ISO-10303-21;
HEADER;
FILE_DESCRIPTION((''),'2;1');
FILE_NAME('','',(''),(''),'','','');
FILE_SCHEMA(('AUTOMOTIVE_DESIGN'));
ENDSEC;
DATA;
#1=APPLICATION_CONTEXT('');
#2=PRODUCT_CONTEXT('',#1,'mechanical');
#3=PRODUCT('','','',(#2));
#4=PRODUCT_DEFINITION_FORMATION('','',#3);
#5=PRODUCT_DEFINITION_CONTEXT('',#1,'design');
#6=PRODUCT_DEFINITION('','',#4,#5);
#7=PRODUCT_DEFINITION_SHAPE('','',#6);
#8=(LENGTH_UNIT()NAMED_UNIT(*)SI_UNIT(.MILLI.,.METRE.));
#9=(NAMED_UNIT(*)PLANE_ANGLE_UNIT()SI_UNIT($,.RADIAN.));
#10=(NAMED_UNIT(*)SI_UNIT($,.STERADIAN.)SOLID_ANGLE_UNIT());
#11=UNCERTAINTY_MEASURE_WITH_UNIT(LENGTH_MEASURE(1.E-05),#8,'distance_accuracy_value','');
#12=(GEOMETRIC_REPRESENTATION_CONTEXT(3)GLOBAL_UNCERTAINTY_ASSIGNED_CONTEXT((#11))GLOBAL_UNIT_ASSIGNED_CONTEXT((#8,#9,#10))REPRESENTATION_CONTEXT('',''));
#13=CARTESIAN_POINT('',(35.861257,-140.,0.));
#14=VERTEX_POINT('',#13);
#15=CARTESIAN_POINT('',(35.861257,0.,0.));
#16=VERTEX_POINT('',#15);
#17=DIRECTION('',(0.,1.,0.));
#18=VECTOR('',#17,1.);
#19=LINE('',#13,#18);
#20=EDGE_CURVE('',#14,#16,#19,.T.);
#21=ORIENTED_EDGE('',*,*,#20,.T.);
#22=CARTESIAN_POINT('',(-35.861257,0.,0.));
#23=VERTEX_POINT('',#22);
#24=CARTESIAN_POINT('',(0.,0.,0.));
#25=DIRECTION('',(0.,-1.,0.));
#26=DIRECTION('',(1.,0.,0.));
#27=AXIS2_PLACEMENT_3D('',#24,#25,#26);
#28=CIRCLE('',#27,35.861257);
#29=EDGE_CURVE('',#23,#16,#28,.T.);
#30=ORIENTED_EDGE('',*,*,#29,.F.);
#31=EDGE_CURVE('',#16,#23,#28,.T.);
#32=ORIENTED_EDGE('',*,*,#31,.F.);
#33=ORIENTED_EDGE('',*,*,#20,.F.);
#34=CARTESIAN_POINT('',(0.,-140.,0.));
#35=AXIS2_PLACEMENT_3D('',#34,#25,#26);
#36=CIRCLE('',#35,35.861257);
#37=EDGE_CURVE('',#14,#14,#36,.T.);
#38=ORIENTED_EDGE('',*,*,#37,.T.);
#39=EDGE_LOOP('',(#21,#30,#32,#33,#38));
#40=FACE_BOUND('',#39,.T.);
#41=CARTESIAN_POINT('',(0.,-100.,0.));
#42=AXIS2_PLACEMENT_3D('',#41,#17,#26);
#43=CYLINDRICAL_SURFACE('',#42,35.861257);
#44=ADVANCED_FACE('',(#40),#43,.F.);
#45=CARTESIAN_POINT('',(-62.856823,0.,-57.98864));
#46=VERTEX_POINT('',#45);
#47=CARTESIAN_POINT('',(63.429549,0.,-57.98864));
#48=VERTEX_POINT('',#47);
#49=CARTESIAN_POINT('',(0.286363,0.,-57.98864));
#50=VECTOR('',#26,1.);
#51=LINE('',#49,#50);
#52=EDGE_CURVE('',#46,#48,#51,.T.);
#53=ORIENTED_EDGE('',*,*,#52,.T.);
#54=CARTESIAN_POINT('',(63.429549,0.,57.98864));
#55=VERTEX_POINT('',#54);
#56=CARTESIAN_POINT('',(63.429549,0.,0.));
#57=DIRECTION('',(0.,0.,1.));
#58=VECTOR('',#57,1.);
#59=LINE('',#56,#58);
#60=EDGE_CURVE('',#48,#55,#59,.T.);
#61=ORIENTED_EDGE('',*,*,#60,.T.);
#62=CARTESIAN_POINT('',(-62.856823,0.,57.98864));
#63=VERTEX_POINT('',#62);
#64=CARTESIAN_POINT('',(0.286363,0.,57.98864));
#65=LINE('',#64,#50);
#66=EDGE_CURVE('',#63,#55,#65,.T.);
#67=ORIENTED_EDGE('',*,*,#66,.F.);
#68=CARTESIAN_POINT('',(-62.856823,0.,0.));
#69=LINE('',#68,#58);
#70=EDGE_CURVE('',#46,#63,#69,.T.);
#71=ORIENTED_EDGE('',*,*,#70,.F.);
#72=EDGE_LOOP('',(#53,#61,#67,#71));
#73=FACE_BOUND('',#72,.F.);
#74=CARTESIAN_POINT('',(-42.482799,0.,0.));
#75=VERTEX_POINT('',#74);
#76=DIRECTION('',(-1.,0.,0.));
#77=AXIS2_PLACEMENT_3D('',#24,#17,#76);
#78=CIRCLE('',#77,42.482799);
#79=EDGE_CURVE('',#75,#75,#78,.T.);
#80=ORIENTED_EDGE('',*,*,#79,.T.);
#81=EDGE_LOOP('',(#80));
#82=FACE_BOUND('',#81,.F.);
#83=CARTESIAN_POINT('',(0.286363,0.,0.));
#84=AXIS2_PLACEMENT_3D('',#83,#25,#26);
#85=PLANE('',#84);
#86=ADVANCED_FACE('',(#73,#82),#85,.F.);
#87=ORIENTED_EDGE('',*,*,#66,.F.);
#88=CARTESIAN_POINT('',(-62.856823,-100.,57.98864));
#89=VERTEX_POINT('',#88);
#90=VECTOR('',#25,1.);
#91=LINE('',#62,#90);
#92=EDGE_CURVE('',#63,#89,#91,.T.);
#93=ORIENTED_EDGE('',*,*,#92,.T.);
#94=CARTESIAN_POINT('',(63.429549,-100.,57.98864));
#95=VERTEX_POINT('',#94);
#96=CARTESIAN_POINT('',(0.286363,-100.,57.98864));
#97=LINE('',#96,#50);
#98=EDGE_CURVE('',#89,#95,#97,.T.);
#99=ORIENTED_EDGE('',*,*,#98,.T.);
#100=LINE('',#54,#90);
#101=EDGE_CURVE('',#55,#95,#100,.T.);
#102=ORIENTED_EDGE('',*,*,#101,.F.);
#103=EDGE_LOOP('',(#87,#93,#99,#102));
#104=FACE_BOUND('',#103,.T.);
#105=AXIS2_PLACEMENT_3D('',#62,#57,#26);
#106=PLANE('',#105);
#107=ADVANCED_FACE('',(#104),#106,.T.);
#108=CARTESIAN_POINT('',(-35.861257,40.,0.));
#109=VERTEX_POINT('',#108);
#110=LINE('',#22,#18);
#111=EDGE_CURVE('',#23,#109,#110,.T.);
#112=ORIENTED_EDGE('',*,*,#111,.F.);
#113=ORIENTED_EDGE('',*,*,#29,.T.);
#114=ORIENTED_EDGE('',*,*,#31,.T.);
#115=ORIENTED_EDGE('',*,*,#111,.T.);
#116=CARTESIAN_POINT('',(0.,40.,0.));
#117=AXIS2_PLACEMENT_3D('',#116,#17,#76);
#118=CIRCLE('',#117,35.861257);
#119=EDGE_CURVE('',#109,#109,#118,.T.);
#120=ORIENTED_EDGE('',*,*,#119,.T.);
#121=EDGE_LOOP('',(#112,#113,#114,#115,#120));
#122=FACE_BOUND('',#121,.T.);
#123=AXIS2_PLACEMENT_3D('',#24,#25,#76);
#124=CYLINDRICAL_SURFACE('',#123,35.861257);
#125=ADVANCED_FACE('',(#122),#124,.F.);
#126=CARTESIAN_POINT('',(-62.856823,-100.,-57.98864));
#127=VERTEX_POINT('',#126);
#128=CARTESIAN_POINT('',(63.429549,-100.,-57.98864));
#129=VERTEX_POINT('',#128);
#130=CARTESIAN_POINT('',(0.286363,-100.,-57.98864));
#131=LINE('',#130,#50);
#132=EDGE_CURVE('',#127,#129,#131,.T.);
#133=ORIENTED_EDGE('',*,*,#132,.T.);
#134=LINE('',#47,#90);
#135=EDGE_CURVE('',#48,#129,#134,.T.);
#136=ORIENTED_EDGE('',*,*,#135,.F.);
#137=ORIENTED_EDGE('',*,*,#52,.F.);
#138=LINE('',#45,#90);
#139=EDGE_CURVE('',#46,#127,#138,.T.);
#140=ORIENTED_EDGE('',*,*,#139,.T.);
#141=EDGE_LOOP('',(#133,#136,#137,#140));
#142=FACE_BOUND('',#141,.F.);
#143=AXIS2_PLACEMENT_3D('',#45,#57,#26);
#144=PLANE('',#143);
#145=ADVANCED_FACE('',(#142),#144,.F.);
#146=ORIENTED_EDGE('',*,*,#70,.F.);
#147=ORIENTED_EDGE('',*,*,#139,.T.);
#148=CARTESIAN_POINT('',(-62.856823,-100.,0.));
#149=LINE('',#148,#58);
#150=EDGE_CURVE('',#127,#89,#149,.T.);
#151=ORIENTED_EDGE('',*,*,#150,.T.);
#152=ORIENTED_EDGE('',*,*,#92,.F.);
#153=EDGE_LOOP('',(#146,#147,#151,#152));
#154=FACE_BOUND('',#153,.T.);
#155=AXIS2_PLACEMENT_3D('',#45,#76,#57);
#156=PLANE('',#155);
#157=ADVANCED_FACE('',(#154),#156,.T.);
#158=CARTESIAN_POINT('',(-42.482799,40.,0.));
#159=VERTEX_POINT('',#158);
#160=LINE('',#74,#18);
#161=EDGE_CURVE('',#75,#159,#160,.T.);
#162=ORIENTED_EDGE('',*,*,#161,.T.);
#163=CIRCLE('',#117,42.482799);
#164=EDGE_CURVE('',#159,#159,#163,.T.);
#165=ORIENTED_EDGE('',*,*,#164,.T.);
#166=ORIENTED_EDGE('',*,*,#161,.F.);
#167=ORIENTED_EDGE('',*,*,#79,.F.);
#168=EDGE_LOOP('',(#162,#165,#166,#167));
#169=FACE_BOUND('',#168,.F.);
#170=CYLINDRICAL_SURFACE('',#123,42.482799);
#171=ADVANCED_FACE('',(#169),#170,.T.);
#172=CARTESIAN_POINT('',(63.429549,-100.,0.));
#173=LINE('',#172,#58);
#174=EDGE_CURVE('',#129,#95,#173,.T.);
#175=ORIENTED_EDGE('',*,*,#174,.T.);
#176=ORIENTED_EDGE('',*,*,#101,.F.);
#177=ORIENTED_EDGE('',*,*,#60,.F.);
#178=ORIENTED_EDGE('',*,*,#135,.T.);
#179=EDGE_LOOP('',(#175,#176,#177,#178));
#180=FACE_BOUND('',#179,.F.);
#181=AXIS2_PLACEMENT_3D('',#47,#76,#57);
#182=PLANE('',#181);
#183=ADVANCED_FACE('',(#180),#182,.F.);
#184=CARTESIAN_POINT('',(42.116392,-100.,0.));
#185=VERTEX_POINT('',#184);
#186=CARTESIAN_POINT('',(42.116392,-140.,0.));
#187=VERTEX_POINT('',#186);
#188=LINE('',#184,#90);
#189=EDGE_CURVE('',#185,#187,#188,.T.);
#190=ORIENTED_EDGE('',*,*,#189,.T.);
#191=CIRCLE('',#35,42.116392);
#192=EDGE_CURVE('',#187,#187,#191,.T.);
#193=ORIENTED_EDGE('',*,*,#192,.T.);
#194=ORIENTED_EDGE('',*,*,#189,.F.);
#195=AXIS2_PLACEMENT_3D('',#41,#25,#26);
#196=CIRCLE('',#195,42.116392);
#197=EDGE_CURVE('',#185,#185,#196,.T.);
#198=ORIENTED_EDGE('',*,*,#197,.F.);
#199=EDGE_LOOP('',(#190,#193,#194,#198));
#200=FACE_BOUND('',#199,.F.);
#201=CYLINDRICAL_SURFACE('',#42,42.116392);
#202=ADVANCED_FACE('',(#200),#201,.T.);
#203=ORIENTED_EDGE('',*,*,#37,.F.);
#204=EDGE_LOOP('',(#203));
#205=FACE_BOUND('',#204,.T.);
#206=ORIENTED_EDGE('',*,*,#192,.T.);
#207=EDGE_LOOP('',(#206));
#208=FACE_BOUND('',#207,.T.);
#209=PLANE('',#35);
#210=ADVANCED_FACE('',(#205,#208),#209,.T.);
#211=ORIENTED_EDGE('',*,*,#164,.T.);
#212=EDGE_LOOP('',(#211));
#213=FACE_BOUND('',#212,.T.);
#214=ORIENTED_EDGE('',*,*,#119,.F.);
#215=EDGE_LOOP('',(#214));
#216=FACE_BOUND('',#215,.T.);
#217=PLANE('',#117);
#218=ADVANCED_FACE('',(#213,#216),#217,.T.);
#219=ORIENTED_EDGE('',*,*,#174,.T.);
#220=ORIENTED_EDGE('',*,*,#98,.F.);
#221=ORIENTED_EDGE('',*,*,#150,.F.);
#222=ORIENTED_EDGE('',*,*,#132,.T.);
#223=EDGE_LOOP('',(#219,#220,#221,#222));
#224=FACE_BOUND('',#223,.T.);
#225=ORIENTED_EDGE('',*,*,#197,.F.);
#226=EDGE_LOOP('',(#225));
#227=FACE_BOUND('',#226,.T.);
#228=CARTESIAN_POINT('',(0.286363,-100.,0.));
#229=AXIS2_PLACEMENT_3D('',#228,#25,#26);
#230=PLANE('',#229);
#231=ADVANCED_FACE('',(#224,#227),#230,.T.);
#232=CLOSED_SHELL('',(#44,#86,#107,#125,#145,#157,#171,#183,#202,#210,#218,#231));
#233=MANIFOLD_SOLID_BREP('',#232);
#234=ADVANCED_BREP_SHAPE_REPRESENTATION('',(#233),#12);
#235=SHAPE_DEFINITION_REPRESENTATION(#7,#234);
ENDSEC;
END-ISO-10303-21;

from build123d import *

# Parameters (mm, degrees)
F0_W     = 126.286372
F0_H     = 115.97728
F0_R     = 35.861257
F1_DEPTH = 100
F2_R     = 42.116392
F2_R_2   = 35.861257
F3_DEPTH = 40
F4_R     = 42.482799
F4_R_2   = 35.861257
F5_DEPTH = 40


with BuildPart() as f1:
    # F0 (on Front) → F1 (new body)
    with BuildSketch(Plane.XZ):
        with Locations((0.286363, 0)):
            Rectangle(F0_W, F0_H)
        Circle(F0_R, mode=Mode.SUBTRACT)
    extrude(amount=F1_DEPTH)

    # F2 (on face) → F3 (join)
    with BuildSketch(Plane.XZ.offset(100)):
        Circle(F2_R)
        Circle(F2_R_2, mode=Mode.SUBTRACT)
    extrude(amount=F3_DEPTH)

    # F4 (on face) → F5 (join)
    with BuildSketch(Plane(origin=(0, 0, 0), x_dir=(-1, 0, 0), z_dir=(0, 1, 0))):
        Circle(F4_R)
        Circle(F4_R_2, mode=Mode.SUBTRACT)
    extrude(amount=F5_DEPTH)


solid = f1.part
